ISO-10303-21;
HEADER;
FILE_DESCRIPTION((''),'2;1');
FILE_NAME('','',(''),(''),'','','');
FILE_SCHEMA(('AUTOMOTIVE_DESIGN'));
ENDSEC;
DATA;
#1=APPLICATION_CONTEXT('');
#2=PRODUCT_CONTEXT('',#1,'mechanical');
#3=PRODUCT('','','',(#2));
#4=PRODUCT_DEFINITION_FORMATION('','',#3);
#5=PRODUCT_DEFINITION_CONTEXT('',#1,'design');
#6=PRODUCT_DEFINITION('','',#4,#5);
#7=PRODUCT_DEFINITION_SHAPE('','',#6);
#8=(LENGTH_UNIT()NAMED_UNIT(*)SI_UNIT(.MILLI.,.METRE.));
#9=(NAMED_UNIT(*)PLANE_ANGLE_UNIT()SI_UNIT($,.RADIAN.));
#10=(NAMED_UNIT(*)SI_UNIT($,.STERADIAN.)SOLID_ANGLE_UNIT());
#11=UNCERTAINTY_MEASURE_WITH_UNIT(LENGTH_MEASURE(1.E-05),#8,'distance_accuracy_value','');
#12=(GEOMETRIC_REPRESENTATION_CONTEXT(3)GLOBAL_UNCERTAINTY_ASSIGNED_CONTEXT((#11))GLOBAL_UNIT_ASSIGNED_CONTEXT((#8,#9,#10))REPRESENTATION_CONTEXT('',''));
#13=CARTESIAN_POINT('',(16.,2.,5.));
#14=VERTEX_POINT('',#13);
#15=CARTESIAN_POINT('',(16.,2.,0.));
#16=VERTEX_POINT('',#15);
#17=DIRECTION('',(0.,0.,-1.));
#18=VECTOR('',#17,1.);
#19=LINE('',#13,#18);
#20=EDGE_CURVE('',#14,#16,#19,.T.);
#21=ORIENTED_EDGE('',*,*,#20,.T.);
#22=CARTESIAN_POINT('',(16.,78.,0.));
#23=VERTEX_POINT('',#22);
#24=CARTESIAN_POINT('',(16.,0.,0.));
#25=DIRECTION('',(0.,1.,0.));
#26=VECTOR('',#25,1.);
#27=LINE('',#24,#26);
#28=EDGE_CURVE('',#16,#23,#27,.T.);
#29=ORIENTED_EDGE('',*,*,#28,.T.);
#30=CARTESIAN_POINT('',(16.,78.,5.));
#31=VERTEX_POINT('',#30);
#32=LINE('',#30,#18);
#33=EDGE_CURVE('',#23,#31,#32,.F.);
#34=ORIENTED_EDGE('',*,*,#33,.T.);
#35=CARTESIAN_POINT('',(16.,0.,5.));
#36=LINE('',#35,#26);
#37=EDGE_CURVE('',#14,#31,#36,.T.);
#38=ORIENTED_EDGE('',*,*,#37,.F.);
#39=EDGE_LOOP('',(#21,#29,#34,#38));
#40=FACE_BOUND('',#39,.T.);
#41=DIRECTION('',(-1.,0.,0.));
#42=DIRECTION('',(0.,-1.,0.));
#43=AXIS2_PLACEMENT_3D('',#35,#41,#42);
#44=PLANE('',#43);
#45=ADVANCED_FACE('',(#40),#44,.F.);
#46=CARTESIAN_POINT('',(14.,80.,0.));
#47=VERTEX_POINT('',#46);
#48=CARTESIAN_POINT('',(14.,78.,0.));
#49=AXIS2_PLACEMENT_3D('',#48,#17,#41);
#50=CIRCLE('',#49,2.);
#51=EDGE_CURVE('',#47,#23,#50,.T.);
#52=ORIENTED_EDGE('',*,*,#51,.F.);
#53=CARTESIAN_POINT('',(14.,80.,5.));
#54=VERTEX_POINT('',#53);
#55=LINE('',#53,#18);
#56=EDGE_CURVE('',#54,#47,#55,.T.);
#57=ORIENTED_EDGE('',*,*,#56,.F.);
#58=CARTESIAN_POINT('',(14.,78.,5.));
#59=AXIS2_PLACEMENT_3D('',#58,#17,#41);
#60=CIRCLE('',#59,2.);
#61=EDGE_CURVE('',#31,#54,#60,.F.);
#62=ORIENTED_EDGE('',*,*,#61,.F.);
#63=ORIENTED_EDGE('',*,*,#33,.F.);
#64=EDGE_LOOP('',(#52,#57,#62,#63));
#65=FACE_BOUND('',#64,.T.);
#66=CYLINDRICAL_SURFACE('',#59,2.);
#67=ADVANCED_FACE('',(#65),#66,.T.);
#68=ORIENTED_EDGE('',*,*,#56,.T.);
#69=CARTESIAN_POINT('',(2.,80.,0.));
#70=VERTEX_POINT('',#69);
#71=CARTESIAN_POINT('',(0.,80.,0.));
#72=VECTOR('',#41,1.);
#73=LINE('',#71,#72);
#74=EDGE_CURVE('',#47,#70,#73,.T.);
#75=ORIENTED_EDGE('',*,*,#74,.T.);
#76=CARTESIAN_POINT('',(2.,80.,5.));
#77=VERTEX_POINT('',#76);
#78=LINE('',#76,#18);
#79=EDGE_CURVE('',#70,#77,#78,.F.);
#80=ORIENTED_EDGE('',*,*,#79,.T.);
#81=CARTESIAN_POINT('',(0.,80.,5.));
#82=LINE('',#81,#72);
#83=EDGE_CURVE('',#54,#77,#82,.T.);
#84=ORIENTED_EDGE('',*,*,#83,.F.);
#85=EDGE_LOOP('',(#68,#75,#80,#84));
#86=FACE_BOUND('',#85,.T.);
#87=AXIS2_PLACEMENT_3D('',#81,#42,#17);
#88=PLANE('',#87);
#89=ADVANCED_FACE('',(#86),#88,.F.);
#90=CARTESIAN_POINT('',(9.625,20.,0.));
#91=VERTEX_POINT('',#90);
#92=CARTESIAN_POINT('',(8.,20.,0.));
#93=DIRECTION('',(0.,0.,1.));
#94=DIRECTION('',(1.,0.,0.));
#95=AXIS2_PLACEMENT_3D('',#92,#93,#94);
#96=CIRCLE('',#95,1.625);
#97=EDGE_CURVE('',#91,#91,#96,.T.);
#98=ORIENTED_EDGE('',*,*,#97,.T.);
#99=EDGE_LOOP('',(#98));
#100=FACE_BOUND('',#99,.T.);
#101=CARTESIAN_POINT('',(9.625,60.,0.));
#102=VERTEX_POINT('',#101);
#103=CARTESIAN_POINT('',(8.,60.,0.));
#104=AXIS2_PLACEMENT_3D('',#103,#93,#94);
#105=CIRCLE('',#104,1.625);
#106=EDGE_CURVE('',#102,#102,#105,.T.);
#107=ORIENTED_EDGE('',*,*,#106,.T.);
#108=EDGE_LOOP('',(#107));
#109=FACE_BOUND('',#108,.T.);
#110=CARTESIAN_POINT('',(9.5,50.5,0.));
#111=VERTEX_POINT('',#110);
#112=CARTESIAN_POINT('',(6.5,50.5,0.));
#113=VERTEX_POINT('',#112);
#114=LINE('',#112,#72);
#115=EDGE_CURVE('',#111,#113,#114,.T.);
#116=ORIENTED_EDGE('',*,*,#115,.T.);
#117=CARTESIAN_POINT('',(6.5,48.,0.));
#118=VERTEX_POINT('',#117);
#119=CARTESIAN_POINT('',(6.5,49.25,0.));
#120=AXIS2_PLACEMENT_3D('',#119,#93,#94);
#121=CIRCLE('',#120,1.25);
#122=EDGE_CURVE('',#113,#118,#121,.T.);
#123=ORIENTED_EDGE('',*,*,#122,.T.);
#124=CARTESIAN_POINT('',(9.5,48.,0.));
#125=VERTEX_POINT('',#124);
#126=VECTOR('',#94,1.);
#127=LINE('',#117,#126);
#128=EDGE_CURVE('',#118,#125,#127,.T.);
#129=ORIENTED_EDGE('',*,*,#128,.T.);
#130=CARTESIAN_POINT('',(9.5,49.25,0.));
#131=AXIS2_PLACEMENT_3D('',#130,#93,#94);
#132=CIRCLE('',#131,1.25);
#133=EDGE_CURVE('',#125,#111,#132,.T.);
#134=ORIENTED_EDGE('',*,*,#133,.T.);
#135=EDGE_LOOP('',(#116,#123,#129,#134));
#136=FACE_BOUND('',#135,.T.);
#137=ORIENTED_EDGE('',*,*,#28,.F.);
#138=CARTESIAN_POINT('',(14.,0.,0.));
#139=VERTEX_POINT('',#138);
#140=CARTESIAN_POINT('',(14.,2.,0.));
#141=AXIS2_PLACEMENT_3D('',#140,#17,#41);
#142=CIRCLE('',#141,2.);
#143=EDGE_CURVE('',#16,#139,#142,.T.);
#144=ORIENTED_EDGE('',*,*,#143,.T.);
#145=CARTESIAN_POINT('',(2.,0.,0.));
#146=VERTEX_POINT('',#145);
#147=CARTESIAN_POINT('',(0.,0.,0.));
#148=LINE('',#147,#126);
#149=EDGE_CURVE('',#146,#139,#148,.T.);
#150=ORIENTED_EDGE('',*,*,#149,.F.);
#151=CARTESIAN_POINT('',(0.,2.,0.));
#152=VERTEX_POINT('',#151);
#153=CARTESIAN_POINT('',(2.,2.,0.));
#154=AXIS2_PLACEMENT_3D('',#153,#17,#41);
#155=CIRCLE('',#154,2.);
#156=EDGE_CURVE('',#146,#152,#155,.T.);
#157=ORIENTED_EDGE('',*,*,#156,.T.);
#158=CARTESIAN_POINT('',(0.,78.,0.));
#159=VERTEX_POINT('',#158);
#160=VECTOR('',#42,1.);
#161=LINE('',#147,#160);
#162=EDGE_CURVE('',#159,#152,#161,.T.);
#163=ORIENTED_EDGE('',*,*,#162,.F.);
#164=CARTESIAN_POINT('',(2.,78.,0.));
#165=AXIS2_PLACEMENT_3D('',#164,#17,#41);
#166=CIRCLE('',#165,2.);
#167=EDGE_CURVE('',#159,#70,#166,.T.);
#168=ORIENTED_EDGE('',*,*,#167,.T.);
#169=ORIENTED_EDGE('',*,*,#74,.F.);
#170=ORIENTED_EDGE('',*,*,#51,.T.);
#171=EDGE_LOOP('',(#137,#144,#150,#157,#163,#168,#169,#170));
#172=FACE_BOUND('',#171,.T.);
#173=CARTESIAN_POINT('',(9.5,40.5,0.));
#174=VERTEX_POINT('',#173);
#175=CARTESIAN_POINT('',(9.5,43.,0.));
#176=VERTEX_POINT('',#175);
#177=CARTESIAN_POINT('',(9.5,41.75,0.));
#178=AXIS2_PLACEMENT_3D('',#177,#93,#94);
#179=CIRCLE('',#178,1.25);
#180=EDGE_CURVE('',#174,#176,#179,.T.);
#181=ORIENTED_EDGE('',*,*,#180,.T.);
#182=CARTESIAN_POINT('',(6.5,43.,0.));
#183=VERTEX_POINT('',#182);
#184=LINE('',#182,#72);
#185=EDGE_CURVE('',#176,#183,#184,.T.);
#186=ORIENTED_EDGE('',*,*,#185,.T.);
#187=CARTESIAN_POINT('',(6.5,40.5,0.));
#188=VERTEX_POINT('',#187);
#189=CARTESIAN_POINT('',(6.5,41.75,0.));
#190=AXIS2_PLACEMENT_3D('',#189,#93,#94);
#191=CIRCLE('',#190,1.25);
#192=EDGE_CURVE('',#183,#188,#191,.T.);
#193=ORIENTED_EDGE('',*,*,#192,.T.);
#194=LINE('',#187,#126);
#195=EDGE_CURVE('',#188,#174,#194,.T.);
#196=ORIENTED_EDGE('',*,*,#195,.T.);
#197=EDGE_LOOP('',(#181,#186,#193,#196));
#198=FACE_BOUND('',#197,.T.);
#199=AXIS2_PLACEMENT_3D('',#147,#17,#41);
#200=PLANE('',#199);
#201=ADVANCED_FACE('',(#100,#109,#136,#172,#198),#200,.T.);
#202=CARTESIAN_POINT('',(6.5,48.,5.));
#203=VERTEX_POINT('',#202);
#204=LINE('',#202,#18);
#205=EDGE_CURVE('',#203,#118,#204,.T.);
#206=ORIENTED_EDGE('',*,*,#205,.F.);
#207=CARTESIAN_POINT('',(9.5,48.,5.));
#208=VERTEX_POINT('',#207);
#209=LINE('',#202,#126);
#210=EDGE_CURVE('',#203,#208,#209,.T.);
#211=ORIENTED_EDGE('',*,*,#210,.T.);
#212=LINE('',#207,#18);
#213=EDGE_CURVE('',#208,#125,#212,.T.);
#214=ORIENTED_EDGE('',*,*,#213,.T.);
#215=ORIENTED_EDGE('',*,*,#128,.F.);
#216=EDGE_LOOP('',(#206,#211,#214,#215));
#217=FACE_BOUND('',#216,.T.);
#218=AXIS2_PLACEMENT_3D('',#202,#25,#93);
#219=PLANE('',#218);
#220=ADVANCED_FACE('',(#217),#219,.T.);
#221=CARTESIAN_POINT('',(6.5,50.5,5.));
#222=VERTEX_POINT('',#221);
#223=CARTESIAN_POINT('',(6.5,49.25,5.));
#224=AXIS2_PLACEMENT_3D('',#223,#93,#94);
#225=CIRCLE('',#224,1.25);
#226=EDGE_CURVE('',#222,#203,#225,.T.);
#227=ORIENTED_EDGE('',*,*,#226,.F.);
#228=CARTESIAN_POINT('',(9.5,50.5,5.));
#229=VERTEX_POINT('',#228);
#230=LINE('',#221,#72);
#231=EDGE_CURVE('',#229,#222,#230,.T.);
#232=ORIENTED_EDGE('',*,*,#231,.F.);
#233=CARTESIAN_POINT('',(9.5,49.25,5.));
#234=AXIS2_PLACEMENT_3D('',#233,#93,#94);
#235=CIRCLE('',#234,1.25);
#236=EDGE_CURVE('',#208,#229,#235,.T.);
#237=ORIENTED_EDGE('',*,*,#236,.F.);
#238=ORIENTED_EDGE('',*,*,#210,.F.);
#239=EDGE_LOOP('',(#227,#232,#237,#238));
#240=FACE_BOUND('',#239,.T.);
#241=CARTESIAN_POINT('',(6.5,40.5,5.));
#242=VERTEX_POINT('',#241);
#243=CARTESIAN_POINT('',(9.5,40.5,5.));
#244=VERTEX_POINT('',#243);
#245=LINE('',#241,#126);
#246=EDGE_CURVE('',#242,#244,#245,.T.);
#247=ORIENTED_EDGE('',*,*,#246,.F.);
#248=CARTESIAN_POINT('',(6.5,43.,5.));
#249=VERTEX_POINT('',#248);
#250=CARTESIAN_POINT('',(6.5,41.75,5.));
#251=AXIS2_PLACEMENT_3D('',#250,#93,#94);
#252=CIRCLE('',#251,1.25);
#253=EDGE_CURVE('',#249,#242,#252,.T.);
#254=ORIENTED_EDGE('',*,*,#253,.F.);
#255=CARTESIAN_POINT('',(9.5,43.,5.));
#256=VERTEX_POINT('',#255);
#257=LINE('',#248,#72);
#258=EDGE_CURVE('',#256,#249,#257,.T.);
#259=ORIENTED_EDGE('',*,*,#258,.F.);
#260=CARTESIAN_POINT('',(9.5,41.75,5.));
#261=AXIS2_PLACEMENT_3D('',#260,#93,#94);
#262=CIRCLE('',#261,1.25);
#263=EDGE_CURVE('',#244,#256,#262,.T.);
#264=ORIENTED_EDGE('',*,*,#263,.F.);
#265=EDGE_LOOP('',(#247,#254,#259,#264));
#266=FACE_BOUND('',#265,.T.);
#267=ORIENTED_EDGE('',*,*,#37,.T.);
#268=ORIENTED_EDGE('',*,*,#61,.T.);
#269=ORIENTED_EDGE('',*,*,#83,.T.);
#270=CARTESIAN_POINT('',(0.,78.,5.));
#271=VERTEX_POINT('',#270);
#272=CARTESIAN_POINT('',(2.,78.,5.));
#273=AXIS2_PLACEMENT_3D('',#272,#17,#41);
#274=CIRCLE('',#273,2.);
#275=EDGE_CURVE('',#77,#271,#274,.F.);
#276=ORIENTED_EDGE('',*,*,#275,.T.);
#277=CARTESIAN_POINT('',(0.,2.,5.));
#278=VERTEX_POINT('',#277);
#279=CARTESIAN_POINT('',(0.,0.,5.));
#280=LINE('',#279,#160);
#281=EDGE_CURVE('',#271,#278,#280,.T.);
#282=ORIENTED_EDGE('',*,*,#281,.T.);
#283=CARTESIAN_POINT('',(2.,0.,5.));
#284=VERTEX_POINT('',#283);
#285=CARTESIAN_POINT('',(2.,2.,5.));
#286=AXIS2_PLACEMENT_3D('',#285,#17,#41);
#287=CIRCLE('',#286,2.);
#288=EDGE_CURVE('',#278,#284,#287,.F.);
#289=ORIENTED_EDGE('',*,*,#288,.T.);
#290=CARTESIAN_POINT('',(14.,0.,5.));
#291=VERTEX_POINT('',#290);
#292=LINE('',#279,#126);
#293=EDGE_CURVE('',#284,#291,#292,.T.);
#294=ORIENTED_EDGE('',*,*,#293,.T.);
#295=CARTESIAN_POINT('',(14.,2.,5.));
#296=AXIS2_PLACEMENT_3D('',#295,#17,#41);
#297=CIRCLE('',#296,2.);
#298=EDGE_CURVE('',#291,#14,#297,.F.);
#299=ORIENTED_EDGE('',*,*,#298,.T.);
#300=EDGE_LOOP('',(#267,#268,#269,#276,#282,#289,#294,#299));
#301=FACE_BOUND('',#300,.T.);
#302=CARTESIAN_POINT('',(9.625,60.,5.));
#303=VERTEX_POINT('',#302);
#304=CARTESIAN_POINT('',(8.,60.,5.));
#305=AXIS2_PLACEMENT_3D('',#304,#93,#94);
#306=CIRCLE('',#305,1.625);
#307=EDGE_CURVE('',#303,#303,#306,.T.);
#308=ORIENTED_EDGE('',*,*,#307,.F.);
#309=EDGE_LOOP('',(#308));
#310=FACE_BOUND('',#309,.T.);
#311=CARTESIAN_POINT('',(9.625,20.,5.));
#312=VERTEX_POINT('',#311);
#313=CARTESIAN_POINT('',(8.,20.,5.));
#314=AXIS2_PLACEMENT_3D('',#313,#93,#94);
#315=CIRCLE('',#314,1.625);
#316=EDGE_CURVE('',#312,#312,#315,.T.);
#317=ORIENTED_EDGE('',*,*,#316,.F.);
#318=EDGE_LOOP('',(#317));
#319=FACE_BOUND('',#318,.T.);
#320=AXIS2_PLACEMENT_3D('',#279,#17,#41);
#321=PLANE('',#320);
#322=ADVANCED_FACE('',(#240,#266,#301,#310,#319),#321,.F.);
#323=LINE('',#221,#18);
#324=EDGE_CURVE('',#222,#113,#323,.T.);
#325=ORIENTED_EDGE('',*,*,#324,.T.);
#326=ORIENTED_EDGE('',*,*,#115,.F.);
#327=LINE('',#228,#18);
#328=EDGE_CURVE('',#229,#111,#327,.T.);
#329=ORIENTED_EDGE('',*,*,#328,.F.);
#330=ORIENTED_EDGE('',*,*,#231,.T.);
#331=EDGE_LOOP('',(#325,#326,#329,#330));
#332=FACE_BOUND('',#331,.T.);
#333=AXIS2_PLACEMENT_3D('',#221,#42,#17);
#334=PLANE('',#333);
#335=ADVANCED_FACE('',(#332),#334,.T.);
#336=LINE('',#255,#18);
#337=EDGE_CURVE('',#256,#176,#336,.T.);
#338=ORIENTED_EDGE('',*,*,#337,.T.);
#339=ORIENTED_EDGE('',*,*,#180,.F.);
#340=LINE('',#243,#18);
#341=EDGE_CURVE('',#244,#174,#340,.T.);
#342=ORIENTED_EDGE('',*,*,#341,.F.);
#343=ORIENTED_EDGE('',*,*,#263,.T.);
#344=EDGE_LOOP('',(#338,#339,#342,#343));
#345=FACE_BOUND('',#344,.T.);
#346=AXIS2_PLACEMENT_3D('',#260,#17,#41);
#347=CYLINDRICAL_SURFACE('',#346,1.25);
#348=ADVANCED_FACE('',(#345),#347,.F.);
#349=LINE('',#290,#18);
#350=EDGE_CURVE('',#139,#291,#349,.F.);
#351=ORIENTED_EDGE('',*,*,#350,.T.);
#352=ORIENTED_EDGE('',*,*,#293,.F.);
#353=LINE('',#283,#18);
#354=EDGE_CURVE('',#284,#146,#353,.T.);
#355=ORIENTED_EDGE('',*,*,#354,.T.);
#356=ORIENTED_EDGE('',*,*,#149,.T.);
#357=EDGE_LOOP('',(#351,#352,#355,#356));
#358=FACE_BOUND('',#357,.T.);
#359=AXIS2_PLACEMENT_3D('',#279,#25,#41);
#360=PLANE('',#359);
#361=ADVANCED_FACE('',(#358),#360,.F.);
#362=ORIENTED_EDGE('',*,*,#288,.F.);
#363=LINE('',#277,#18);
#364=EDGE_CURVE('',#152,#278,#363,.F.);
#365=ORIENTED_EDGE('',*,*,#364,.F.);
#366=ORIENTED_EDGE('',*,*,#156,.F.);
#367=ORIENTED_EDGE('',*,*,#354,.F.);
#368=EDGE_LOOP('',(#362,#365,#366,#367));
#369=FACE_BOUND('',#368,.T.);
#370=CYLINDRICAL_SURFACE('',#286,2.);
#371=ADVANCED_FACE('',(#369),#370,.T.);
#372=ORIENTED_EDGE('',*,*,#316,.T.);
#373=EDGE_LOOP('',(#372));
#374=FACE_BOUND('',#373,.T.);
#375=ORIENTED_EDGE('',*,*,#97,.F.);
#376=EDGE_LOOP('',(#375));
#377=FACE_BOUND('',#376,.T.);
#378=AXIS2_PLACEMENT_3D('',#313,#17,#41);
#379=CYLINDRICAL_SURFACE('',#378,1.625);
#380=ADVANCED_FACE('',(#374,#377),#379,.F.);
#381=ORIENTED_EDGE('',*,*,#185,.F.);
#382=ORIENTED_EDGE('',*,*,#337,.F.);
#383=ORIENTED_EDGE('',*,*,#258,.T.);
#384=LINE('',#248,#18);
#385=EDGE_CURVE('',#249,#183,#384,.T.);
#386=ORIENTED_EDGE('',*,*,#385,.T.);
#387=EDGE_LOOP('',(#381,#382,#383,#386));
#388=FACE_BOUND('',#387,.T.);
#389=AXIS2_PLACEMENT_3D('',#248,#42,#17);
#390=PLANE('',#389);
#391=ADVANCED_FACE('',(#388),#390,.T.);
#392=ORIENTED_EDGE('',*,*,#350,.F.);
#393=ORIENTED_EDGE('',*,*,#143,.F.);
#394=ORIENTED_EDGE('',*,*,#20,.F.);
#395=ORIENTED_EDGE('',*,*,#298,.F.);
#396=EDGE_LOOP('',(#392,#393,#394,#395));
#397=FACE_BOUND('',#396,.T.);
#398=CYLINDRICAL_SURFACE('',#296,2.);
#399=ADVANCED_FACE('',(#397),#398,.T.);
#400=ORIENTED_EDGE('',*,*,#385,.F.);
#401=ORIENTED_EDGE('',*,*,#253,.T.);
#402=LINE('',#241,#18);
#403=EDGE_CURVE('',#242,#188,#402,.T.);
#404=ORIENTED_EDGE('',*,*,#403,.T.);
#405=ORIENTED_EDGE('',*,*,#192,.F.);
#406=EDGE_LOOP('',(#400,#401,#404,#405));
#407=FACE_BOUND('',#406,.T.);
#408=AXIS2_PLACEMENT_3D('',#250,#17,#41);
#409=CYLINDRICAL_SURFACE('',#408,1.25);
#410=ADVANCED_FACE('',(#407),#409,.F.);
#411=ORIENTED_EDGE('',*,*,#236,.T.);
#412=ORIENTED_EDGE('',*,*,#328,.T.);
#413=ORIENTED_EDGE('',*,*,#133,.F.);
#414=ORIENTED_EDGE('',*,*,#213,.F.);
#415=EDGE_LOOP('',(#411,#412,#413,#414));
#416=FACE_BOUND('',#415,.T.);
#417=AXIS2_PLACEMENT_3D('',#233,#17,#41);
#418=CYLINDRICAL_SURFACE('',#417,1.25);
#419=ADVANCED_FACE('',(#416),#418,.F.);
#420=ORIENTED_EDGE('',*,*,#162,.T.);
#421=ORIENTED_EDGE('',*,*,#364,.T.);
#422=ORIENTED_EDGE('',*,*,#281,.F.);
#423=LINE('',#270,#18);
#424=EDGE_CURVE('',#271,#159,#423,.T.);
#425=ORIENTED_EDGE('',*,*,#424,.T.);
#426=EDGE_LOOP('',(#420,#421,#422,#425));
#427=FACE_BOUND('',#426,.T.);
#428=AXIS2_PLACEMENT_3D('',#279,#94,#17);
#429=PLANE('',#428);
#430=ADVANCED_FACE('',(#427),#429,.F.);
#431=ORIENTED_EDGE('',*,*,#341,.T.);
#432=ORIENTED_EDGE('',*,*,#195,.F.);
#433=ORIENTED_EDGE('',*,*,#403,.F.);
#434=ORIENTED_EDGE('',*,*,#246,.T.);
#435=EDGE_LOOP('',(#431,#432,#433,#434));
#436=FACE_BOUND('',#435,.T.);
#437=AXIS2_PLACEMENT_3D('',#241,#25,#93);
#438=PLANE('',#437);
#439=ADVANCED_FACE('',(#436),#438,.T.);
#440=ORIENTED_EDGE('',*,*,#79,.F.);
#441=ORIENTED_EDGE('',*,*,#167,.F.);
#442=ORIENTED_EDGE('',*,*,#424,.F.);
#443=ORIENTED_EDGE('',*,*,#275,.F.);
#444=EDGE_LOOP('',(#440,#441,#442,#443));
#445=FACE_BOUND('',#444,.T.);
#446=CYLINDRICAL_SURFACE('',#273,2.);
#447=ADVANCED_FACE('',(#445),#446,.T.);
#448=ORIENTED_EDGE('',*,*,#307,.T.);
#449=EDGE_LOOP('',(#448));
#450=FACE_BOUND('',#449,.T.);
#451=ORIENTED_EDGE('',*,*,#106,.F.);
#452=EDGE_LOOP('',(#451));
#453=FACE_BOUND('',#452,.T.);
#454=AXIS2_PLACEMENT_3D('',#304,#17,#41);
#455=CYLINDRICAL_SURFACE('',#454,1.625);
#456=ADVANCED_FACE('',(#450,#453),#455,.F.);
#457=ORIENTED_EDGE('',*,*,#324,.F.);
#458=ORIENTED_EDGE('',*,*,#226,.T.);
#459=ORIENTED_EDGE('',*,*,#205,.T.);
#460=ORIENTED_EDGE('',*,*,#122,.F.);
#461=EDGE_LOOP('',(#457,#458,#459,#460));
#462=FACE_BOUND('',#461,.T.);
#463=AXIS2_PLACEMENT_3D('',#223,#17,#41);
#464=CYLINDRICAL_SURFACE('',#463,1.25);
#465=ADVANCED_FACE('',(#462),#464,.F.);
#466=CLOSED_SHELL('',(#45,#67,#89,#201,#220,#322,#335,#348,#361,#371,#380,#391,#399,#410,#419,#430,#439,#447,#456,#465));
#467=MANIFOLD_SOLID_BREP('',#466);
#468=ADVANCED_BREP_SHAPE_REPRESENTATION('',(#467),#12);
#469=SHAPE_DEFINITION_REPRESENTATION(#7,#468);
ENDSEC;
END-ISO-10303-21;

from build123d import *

# Parameters (mm, degrees)
SKETCH1_W           = 16
SKETCH1_H           = 80
SKETCH1_R           = 1.625
BOSS_EXTRUDE1_DEPTH = 5
FILLET1_R           = 2


with BuildPart() as part:
    # Sketch1 → Boss-Extrude1 (new body)
    with BuildSketch(Plane.XY):
        with Locations((8, 40)):
            Rectangle(SKETCH1_W, SKETCH1_H)
        with Locations((8, 20)):
            Circle(SKETCH1_R, mode=Mode.SUBTRACT)
        with Locations((8, 60)):
            Circle(SKETCH1_R, mode=Mode.SUBTRACT)
        with BuildLine():
            Line((6.5, 50.5), (9.5, 50.5))
            ThreePointArc((9.5, 50.5), (10.75, 49.25), (9.5, 48))
            Line((9.5, 48), (6.5, 48))
            ThreePointArc((6.5, 48), (5.25, 49.25), (6.5, 50.5))
        make_face(mode=Mode.SUBTRACT)
        with BuildLine():
            Line((6.5, 43), (9.5, 43))
            ThreePointArc((9.5, 43), (10.75, 41.75), (9.5, 40.5))
            Line((9.5, 40.5), (6.5, 40.5))
            ThreePointArc((6.5, 40.5), (5.25, 41.75), (6.5, 43))
        make_face(mode=Mode.SUBTRACT)
    extrude(amount=BOSS_EXTRUDE1_DEPTH)

    # Fillet1
    fillet1_edges = [part.edges().sort_by_distance(p)[0] for p in [
        (0, 80, 2.5),
        (16, 80, 2.5),
        (16, 0, 2.5),
        (0, 0, 2.5),
    ]]
    fillet(fillet1_edges, radius=FILLET1_R)


solid = part.part
